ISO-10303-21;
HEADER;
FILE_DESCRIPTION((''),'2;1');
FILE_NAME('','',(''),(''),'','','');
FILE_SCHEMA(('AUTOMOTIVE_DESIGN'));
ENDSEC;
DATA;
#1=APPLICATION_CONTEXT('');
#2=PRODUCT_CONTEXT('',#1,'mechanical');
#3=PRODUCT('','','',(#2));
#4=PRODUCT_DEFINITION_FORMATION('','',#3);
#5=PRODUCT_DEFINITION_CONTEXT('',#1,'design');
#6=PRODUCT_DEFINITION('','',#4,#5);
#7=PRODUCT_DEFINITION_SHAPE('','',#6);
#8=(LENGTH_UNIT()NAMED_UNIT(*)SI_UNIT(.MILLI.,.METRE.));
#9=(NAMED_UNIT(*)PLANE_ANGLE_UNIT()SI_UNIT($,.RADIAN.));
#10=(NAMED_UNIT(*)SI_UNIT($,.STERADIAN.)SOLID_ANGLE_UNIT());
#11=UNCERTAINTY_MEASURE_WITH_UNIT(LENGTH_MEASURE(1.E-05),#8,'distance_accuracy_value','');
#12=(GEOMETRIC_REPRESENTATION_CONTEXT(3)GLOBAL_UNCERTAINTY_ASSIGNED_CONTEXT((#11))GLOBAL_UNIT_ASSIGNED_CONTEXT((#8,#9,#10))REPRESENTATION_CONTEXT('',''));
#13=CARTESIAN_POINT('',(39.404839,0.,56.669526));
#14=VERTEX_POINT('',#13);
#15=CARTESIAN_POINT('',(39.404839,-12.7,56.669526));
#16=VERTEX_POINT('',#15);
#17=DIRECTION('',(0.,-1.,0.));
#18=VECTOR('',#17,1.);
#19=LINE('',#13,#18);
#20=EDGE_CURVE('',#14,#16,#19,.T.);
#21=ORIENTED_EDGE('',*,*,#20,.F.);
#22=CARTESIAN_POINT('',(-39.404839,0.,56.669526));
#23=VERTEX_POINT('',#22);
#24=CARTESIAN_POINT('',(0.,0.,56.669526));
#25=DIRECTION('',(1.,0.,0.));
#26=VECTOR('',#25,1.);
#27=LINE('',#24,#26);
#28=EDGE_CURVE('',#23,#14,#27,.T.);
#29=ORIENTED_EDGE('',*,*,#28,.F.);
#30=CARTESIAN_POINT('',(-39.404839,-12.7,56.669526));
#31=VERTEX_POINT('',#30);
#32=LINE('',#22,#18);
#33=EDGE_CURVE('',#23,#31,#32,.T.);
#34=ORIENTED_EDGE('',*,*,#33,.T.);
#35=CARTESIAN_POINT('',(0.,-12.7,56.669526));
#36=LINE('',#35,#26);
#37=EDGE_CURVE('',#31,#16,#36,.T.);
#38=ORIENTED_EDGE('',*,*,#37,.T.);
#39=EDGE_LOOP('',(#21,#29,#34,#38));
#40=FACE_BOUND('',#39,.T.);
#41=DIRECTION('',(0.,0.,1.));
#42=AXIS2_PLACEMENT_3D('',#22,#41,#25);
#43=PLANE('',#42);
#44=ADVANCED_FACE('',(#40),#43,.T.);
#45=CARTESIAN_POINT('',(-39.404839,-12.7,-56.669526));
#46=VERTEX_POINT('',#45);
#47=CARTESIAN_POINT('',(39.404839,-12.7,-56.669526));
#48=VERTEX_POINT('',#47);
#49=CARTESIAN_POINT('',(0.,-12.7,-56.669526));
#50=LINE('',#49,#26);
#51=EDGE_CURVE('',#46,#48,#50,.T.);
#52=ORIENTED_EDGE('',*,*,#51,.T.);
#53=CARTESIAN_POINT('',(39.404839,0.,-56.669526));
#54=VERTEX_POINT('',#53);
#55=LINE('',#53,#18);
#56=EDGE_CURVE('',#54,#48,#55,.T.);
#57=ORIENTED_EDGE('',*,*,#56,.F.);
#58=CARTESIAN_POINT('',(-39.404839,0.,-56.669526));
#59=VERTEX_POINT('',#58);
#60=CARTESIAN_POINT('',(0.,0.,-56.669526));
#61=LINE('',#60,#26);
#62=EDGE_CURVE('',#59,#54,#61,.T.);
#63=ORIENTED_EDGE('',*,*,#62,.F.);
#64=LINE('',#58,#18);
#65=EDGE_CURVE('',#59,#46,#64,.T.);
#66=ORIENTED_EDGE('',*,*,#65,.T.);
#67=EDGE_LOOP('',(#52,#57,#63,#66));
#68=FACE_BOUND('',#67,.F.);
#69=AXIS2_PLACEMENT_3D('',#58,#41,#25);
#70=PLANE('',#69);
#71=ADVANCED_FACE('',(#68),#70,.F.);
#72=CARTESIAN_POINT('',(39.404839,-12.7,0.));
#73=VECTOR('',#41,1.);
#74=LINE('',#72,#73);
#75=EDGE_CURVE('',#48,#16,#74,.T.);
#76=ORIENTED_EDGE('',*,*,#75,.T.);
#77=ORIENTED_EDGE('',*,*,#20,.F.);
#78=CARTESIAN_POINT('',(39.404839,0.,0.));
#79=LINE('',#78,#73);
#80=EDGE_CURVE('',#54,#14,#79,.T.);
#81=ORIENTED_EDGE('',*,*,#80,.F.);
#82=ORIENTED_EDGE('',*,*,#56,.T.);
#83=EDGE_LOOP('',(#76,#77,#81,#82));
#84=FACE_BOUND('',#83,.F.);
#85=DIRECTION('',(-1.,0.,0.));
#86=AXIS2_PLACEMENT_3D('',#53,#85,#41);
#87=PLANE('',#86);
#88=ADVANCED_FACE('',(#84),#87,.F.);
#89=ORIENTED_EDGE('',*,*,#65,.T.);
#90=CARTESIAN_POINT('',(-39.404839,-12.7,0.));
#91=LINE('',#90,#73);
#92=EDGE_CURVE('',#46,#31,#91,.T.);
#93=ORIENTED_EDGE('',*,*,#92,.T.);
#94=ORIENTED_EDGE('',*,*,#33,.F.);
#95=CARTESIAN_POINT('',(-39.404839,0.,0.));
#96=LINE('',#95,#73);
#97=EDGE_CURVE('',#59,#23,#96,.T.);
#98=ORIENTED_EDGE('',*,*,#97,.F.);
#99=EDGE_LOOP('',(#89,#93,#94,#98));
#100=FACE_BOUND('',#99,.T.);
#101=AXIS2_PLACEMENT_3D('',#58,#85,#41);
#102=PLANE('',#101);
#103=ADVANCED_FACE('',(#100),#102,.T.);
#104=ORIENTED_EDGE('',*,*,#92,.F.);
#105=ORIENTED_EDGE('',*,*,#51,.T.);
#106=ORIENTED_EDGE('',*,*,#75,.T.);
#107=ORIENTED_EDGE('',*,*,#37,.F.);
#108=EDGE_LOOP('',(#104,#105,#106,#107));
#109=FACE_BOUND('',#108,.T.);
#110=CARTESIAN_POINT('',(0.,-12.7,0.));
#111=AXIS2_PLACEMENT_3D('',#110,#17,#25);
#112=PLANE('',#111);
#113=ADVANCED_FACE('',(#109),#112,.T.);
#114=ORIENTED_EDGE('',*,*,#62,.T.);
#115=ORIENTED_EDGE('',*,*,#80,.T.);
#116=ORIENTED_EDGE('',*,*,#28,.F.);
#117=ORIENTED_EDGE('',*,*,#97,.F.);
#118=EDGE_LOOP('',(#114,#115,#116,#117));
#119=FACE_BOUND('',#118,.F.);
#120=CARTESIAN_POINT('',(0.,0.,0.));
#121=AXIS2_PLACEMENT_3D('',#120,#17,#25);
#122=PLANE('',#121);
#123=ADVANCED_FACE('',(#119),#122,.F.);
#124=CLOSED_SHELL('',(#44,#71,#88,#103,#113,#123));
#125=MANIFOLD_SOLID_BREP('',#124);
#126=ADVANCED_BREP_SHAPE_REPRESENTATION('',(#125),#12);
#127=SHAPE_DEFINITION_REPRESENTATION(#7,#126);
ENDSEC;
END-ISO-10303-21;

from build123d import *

# Parameters (mm, degrees)
F0_W     = 78.809678
F0_H     = 113.339052
F1_DEPTH = 12.7


with BuildPart() as f1:
    # F0 (on Front) → F1 (new body)
    with BuildSketch(Plane.XZ):
        Rectangle(F0_W, F0_H)
    extrude(amount=F1_DEPTH)


solid = f1.part
